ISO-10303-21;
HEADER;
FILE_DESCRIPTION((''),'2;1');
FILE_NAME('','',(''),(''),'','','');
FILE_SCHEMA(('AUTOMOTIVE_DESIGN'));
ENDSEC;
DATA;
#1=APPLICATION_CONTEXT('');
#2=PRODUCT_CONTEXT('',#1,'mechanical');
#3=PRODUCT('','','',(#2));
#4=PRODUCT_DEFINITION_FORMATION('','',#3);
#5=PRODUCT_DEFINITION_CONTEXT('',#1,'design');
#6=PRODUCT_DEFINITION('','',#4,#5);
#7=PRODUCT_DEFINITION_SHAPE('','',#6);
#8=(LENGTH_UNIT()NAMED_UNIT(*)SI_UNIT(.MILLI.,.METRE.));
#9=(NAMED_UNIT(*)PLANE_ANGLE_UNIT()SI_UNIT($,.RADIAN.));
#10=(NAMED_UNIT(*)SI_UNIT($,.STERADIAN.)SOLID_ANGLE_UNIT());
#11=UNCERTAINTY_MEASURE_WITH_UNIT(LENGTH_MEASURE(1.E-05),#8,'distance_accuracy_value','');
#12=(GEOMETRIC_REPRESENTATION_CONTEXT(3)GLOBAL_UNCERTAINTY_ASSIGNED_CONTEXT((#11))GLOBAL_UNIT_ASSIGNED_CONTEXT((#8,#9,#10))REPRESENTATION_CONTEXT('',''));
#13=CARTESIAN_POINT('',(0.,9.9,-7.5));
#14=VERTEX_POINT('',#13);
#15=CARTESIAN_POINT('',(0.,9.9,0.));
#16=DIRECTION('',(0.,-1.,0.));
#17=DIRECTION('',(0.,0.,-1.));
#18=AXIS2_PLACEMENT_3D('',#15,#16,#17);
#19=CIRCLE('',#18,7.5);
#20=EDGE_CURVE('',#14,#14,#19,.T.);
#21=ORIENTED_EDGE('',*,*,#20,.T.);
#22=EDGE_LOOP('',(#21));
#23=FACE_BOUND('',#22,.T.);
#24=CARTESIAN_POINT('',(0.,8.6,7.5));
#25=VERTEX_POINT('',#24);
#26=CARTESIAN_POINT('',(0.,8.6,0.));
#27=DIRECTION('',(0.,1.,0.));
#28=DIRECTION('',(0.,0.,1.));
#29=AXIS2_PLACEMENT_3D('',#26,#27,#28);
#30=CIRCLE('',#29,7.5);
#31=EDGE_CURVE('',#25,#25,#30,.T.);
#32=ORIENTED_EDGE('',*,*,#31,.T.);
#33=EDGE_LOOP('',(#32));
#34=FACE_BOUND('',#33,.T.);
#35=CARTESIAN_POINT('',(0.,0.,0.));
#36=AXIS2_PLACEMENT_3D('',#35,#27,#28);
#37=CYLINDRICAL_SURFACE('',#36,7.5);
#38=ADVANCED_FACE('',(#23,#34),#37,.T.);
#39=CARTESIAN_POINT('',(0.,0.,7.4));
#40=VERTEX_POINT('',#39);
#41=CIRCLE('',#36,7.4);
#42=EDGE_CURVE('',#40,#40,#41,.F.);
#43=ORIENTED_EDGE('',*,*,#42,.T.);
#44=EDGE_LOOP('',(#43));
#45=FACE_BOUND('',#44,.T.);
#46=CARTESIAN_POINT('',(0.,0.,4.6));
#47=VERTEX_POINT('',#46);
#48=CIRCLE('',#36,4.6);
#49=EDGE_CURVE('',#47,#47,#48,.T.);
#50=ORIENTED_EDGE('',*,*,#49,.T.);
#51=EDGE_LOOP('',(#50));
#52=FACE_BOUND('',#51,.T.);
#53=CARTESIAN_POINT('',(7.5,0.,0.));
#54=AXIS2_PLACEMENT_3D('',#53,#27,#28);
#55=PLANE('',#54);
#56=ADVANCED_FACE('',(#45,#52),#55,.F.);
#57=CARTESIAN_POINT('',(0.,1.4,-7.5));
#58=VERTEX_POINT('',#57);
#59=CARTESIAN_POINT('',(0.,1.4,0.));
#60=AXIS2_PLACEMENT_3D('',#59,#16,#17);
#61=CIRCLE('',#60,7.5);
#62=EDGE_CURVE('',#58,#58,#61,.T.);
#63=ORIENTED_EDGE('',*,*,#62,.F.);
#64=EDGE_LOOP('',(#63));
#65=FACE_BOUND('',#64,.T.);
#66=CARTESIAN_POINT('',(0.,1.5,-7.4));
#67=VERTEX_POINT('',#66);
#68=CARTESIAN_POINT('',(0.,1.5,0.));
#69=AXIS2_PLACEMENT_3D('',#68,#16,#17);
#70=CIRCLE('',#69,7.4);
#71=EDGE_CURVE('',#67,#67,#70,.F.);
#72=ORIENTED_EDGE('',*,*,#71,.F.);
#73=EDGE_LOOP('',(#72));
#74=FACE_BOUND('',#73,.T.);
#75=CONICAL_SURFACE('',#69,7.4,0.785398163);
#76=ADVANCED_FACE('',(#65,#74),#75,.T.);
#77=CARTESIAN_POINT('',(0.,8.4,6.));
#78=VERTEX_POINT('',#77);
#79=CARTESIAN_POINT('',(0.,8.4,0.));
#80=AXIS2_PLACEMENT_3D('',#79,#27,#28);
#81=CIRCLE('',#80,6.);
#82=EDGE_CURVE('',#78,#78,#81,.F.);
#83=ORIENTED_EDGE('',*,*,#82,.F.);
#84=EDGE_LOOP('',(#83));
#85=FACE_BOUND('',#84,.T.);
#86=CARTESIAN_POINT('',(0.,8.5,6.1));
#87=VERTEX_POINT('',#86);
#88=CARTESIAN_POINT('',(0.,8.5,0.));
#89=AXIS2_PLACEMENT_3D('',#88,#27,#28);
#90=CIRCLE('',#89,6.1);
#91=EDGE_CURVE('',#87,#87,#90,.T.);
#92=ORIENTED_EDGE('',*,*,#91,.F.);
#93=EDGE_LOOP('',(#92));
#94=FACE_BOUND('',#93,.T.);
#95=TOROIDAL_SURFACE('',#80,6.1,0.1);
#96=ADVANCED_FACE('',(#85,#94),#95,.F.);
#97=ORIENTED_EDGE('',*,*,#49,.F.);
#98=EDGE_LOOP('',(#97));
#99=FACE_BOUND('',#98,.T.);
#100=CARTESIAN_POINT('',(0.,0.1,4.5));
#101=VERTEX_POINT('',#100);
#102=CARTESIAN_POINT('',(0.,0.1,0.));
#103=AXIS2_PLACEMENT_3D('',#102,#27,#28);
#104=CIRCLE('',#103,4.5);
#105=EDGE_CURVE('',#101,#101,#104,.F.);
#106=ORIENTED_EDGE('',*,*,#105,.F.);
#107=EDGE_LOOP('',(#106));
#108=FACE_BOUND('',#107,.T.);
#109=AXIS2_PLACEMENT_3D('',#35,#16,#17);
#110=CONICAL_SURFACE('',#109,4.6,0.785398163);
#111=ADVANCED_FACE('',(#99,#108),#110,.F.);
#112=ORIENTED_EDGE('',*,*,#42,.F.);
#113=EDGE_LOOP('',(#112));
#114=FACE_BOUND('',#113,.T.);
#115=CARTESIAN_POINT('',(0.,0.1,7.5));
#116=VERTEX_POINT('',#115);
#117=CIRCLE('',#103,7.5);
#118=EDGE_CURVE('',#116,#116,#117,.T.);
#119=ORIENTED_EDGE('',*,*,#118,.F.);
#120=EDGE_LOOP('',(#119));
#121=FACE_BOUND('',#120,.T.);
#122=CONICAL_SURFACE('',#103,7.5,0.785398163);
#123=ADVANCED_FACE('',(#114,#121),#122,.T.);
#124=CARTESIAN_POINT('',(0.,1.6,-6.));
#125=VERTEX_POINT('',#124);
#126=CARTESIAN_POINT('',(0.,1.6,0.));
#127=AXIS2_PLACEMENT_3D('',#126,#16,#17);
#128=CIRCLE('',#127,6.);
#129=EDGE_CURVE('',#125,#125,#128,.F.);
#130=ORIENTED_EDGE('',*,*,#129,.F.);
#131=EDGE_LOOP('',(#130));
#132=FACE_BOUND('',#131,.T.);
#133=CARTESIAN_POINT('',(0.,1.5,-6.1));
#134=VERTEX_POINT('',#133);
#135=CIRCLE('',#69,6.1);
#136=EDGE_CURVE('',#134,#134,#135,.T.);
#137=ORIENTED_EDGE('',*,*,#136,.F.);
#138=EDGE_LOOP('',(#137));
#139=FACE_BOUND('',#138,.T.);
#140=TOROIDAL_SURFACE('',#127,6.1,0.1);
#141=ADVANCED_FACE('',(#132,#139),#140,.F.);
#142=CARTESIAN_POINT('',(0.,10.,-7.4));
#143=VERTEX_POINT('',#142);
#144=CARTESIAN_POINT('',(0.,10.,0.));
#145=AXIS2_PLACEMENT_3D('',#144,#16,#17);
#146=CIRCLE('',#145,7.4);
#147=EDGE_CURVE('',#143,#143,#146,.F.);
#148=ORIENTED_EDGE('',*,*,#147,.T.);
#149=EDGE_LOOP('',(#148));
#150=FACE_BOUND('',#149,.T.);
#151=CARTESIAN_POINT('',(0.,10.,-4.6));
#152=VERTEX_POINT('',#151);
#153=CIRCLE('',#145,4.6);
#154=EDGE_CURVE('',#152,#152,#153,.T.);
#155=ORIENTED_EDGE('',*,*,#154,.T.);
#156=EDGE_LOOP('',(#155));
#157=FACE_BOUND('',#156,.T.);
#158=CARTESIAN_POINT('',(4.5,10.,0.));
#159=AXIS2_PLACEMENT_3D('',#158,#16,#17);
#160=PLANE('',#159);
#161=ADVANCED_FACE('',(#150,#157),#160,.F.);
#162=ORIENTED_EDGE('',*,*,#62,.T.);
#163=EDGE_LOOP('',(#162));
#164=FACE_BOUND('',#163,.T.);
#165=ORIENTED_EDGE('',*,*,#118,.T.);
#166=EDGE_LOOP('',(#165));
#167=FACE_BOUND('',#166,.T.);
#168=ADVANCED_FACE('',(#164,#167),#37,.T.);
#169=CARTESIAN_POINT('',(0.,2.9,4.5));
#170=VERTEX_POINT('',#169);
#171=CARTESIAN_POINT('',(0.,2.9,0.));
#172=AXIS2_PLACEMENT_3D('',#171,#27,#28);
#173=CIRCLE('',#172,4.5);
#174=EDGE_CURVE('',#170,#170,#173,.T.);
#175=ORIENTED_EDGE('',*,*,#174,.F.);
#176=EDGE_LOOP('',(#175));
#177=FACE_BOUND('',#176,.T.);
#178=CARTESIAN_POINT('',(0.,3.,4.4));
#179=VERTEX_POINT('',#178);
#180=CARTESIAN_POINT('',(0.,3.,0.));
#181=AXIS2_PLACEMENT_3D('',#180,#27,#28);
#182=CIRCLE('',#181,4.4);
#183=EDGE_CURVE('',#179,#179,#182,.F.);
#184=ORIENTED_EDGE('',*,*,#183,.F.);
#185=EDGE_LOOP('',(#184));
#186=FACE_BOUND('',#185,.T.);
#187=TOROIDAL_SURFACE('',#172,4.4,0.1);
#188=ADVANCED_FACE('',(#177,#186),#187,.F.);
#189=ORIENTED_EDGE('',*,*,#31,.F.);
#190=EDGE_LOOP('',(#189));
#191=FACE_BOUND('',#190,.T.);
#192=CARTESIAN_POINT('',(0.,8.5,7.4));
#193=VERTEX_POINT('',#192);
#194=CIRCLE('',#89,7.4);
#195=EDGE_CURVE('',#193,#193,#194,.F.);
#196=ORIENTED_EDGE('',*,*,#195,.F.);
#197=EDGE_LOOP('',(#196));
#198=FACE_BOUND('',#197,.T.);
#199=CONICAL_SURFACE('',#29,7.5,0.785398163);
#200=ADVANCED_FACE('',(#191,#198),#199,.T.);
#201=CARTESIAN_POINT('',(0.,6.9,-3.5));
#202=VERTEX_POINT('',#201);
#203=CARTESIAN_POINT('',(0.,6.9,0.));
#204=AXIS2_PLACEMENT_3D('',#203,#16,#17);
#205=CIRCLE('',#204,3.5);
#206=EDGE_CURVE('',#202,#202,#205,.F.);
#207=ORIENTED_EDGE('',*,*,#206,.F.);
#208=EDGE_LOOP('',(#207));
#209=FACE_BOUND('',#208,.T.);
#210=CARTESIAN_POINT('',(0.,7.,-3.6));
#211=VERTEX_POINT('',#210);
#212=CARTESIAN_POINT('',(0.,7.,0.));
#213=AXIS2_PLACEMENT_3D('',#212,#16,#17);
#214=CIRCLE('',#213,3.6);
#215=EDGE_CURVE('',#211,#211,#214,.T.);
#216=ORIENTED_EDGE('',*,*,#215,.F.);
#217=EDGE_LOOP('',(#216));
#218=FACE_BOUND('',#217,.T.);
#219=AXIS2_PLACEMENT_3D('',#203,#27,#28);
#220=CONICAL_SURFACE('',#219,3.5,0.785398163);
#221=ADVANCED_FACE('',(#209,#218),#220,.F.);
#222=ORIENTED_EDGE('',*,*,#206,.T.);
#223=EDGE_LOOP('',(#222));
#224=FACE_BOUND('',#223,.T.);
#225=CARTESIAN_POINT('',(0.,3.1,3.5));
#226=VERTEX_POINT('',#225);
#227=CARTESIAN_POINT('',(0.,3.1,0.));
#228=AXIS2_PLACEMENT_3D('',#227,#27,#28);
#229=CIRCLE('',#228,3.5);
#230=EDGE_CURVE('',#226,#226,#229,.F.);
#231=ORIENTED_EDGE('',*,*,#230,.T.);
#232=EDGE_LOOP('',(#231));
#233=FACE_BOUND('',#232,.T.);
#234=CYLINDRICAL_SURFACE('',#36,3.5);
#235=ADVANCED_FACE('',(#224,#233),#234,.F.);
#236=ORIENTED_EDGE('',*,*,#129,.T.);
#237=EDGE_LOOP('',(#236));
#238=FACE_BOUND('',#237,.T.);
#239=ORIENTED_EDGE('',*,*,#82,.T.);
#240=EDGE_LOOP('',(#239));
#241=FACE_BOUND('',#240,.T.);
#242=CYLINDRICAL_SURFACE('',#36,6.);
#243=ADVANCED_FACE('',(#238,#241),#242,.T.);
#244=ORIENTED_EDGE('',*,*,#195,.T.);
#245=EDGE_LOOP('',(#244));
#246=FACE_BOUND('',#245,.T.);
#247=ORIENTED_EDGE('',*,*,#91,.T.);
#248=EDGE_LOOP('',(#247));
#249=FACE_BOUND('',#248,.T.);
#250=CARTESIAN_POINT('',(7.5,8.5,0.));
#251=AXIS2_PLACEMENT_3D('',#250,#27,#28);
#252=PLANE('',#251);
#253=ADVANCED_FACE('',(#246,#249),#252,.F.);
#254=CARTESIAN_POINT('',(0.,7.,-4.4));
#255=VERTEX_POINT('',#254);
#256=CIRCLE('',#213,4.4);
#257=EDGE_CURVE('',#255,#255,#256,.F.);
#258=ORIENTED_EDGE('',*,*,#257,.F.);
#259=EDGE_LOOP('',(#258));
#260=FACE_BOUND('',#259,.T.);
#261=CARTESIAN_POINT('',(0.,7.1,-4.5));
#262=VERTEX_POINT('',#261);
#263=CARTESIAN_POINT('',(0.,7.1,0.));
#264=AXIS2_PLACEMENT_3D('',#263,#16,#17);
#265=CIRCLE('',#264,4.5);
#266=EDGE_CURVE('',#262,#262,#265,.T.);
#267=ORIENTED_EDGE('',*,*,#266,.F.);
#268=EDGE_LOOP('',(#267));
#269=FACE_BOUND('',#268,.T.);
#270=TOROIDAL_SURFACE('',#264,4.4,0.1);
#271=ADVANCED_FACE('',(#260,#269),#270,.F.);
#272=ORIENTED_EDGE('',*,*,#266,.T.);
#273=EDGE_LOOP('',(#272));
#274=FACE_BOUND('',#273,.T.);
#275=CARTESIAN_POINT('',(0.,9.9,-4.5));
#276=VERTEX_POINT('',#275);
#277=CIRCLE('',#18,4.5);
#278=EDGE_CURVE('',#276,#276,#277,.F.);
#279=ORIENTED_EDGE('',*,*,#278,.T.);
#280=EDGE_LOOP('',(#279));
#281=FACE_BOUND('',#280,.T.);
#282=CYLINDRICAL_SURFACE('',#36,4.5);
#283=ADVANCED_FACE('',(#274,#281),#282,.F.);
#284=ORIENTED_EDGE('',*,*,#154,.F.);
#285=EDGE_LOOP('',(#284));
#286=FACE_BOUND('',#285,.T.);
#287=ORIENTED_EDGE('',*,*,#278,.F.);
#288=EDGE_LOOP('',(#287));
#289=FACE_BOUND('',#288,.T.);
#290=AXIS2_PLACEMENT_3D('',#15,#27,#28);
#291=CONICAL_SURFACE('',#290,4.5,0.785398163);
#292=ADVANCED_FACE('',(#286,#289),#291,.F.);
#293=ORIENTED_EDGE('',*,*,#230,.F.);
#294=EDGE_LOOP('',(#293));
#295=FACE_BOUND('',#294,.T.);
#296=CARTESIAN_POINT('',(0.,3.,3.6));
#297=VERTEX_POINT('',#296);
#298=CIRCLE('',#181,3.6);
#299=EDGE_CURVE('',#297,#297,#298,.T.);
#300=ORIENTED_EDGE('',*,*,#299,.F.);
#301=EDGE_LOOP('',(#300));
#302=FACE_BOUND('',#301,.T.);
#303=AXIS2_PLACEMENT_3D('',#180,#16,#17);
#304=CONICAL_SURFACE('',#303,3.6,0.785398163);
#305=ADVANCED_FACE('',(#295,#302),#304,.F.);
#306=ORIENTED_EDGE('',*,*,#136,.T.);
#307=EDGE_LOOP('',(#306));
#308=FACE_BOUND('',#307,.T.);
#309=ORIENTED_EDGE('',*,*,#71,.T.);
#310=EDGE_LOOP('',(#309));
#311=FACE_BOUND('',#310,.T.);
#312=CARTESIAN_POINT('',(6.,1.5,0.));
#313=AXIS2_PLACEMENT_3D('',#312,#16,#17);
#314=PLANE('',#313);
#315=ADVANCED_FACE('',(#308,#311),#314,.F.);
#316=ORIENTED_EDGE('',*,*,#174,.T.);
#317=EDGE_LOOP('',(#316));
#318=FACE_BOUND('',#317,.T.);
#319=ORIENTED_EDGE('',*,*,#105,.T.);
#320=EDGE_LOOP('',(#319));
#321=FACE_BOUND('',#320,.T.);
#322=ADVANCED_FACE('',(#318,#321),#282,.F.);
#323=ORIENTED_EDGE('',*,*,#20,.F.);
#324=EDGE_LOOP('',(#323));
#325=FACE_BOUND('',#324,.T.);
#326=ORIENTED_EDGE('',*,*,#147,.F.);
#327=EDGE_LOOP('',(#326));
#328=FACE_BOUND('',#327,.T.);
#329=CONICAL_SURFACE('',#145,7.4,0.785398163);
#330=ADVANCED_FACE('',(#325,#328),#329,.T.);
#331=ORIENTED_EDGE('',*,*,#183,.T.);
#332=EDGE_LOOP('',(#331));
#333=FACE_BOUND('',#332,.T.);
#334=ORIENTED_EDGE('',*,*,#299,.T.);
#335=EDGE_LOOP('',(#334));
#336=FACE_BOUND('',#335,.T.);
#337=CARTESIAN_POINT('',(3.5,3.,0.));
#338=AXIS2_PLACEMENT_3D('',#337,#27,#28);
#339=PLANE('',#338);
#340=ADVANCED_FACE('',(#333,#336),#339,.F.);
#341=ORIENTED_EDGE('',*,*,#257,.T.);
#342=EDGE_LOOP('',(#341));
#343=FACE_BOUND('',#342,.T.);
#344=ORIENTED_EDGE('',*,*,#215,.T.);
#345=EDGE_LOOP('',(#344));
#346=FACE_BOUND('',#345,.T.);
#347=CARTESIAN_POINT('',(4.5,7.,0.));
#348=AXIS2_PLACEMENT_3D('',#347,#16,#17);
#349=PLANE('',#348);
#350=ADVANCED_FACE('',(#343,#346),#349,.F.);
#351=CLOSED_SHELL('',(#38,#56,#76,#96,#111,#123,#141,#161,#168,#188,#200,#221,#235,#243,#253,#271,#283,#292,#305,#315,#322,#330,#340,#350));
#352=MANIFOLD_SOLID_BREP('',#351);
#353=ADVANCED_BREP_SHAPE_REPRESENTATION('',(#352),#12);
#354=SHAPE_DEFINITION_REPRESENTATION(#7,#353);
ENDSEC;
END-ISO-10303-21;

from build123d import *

# Parameters (mm, degrees)
ZKOSEN_1_SIZE = 0.1
ZAOBLIT1_R    = 0.1


with BuildPart() as part:
    # Skica1 → Rotovat1 (revolve)
    with BuildSketch(Plane.XY, mode=Mode.PRIVATE) as rotovat1_sk:
        Polygon((4.5, 10), (7.5, 10), (7.5, 8.5), (6, 8.5), (6, 1.5), (7.5, 1.5), (7.5, 0), (4.5, 0), (4.5, 3), (3.5, 3), (3.5, 7), (4.5, 7), align=None)
    revolve(rotovat1_sk.sketch.rotate(Axis((0, 0, 0), (0, -1, 0)), 90), axis=Axis((0, 0, 0), (0, -1, 0)))

    # Zkosení1
    zkosen_1_edges = [part.edges().sort_by_distance(p)[0] for p in [
        (0, 3, -3.5),
        (0, 0, -4.5),
        (0, 0, -7.5),
        (0, 1.5, -7.5),
        (0, 8.5, -7.5),
        (0, 10, -7.5),
        (0, 10, -4.5),
        (0, 7, -3.5),
    ]]
    chamfer(zkosen_1_edges, length=ZKOSEN_1_SIZE)

    # Zaoblit1
    zaoblit1_edges = [part.edges().sort_by_distance(p)[0] for p in [
        (0, 3, -4.5),
        (0, 1.5, -6),
        (0, 8.5, -6),
        (0, 7, -4.5),
    ]]
    fillet(zaoblit1_edges, radius=ZAOBLIT1_R)


solid = part.part
